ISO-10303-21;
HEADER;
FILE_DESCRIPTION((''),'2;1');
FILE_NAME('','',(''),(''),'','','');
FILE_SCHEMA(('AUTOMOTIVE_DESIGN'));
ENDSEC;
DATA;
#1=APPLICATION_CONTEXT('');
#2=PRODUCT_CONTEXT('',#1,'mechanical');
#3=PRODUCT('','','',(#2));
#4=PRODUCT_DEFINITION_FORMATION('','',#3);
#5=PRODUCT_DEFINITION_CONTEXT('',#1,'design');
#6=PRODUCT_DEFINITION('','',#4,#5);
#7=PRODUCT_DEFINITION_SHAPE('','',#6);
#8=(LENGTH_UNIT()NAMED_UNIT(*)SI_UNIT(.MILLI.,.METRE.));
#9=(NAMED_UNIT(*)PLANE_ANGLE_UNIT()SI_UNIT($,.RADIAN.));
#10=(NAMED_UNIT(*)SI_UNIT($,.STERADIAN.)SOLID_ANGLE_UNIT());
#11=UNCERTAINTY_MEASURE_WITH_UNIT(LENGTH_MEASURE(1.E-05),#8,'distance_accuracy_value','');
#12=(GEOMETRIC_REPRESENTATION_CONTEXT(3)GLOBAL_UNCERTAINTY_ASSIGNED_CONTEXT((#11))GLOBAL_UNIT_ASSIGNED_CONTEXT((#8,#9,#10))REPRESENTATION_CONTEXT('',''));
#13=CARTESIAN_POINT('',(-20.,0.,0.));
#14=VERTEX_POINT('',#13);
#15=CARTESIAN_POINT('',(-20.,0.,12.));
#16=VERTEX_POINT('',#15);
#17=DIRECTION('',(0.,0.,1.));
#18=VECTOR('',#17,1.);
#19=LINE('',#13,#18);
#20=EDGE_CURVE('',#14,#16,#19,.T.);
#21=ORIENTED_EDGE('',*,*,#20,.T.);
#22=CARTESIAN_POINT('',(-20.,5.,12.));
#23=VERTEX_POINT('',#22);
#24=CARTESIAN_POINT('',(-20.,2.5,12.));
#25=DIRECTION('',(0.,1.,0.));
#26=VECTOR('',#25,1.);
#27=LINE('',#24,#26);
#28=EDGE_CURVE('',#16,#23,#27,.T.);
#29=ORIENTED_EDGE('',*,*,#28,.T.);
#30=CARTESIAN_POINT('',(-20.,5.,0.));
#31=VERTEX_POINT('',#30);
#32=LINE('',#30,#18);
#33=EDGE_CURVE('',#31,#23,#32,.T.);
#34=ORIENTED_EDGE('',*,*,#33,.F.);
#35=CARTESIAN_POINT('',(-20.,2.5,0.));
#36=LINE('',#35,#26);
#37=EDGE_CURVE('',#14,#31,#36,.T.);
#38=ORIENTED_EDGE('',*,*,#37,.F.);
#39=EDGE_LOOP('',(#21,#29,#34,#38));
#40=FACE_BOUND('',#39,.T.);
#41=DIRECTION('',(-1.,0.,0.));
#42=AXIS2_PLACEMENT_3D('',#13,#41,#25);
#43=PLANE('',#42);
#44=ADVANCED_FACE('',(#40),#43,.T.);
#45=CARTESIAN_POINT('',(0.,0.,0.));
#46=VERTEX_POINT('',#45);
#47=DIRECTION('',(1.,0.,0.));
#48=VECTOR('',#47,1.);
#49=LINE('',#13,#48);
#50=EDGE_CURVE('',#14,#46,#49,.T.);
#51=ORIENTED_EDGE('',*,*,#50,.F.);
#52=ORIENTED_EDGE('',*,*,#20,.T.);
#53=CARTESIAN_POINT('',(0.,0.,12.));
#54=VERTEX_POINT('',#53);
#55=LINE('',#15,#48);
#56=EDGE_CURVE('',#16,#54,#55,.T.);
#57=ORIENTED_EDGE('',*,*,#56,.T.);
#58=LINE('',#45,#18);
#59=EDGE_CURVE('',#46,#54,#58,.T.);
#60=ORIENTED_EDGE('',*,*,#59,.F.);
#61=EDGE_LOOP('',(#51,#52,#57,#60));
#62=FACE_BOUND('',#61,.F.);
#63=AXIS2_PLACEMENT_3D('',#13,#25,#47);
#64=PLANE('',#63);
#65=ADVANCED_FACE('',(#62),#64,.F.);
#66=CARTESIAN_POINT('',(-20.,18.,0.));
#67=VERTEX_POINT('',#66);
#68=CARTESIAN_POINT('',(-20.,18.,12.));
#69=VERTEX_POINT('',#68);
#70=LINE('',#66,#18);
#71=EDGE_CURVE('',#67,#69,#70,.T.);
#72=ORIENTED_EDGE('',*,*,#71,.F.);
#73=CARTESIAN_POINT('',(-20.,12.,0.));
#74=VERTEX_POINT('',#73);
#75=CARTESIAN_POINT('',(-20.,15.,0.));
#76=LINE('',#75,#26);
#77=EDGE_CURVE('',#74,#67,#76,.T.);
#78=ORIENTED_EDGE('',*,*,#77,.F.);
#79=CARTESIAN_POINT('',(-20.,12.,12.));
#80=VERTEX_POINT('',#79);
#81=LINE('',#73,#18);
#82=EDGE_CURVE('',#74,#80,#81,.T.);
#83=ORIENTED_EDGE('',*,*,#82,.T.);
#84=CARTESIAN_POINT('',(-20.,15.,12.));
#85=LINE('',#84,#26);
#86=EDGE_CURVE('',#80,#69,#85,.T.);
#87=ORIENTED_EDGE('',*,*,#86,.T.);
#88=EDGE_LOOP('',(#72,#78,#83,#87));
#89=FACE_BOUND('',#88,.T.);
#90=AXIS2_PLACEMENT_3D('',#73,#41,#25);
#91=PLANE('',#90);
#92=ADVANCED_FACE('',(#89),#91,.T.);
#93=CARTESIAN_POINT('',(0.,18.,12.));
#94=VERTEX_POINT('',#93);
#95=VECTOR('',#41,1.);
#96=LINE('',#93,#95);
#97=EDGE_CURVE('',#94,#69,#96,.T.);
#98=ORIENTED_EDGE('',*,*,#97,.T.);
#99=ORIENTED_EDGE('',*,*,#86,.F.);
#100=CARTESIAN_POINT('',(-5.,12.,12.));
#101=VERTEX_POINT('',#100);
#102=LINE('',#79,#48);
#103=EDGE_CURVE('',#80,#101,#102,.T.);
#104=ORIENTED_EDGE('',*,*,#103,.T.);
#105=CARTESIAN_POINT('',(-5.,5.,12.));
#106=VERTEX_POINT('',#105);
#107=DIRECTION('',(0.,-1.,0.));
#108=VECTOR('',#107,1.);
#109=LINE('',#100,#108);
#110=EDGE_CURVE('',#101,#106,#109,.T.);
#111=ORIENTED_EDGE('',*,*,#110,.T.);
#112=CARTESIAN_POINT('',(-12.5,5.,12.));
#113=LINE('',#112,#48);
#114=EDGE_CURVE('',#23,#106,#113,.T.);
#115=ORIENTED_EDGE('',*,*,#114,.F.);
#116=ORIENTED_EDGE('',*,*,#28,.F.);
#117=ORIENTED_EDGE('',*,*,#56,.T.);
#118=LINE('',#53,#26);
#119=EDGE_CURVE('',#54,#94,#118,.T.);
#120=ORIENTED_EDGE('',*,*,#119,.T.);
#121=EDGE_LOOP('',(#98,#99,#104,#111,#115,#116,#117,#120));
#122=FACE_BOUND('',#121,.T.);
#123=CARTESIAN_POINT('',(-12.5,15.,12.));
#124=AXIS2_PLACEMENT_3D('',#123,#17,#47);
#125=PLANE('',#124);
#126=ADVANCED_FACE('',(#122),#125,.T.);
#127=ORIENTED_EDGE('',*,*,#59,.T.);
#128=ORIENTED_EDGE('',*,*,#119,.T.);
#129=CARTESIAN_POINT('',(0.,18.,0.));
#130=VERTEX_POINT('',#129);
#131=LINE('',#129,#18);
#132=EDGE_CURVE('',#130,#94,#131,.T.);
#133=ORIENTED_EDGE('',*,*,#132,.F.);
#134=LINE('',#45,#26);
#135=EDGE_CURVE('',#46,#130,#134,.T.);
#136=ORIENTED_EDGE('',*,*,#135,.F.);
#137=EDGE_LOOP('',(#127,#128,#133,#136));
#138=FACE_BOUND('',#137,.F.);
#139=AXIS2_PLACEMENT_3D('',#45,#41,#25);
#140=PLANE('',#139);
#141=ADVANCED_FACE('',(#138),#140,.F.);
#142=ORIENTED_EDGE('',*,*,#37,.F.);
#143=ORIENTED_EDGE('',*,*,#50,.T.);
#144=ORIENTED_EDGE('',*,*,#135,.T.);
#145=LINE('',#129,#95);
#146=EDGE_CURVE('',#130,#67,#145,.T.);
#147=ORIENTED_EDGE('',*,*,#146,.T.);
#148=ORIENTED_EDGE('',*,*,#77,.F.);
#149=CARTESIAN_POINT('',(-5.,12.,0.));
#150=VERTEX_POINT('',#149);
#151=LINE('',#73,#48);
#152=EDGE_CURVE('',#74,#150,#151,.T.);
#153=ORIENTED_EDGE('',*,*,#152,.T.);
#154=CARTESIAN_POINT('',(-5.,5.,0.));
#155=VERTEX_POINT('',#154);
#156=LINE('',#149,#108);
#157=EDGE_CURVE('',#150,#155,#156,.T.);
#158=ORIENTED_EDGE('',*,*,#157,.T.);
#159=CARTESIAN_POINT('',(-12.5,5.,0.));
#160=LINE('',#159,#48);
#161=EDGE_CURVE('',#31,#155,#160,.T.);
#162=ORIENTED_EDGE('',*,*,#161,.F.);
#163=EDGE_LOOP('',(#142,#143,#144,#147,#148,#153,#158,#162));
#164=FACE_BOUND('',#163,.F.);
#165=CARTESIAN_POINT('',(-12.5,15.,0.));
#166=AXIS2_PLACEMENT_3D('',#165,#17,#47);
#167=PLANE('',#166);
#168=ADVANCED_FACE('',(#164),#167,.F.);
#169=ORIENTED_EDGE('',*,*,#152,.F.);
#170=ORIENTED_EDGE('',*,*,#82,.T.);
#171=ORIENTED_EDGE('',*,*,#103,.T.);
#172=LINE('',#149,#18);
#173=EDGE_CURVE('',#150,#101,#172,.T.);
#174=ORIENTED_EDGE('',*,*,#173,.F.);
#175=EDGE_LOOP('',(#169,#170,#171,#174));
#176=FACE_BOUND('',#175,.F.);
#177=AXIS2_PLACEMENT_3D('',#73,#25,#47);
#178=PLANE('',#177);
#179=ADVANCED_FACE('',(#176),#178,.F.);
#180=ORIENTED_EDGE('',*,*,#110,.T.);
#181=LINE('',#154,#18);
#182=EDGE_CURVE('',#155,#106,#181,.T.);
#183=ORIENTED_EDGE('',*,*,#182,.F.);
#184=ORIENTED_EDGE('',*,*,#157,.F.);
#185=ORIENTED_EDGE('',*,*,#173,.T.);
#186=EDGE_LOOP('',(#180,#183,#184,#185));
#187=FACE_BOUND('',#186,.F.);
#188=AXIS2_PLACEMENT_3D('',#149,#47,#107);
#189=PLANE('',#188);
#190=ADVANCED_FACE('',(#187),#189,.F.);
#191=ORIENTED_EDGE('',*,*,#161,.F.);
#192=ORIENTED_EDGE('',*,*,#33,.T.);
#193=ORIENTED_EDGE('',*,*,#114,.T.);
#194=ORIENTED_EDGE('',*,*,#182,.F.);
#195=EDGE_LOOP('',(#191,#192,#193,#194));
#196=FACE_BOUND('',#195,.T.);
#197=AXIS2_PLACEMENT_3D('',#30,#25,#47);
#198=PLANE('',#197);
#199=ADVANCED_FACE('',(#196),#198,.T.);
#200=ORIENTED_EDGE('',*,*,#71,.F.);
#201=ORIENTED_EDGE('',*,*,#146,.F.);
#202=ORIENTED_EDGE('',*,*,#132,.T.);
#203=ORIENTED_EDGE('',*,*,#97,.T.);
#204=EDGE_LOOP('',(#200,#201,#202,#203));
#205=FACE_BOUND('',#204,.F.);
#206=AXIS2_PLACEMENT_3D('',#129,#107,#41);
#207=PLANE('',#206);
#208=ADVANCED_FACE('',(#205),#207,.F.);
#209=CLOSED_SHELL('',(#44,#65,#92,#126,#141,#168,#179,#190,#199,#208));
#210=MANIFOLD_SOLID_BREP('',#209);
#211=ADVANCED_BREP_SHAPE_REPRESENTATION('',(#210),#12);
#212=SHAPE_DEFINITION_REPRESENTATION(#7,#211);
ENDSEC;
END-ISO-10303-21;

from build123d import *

# Parameters (mm, degrees)
F0_W     = 15
F0_H     = 6
F0_W_2   = 5
F0_H_2   = 5
F1_DEPTH = 12


with BuildPart() as f1:
    # F0 (on Top) → F1 (new body)
    with BuildSketch(Plane.XY):
        with Locations((-12.5, 15)):
            Rectangle(F0_W, F0_H)
        with Locations((-2.5, 15)):
            Rectangle(F0_W_2, F0_H)
        Polygon((0, 12), (-5, 12), (-5, 5), (-5, 0), (0, 0), align=None)
        with Locations((-12.5, 2.5)):
            Rectangle(F0_W, F0_H_2)
    extrude(amount=F1_DEPTH)


solid = f1.part
